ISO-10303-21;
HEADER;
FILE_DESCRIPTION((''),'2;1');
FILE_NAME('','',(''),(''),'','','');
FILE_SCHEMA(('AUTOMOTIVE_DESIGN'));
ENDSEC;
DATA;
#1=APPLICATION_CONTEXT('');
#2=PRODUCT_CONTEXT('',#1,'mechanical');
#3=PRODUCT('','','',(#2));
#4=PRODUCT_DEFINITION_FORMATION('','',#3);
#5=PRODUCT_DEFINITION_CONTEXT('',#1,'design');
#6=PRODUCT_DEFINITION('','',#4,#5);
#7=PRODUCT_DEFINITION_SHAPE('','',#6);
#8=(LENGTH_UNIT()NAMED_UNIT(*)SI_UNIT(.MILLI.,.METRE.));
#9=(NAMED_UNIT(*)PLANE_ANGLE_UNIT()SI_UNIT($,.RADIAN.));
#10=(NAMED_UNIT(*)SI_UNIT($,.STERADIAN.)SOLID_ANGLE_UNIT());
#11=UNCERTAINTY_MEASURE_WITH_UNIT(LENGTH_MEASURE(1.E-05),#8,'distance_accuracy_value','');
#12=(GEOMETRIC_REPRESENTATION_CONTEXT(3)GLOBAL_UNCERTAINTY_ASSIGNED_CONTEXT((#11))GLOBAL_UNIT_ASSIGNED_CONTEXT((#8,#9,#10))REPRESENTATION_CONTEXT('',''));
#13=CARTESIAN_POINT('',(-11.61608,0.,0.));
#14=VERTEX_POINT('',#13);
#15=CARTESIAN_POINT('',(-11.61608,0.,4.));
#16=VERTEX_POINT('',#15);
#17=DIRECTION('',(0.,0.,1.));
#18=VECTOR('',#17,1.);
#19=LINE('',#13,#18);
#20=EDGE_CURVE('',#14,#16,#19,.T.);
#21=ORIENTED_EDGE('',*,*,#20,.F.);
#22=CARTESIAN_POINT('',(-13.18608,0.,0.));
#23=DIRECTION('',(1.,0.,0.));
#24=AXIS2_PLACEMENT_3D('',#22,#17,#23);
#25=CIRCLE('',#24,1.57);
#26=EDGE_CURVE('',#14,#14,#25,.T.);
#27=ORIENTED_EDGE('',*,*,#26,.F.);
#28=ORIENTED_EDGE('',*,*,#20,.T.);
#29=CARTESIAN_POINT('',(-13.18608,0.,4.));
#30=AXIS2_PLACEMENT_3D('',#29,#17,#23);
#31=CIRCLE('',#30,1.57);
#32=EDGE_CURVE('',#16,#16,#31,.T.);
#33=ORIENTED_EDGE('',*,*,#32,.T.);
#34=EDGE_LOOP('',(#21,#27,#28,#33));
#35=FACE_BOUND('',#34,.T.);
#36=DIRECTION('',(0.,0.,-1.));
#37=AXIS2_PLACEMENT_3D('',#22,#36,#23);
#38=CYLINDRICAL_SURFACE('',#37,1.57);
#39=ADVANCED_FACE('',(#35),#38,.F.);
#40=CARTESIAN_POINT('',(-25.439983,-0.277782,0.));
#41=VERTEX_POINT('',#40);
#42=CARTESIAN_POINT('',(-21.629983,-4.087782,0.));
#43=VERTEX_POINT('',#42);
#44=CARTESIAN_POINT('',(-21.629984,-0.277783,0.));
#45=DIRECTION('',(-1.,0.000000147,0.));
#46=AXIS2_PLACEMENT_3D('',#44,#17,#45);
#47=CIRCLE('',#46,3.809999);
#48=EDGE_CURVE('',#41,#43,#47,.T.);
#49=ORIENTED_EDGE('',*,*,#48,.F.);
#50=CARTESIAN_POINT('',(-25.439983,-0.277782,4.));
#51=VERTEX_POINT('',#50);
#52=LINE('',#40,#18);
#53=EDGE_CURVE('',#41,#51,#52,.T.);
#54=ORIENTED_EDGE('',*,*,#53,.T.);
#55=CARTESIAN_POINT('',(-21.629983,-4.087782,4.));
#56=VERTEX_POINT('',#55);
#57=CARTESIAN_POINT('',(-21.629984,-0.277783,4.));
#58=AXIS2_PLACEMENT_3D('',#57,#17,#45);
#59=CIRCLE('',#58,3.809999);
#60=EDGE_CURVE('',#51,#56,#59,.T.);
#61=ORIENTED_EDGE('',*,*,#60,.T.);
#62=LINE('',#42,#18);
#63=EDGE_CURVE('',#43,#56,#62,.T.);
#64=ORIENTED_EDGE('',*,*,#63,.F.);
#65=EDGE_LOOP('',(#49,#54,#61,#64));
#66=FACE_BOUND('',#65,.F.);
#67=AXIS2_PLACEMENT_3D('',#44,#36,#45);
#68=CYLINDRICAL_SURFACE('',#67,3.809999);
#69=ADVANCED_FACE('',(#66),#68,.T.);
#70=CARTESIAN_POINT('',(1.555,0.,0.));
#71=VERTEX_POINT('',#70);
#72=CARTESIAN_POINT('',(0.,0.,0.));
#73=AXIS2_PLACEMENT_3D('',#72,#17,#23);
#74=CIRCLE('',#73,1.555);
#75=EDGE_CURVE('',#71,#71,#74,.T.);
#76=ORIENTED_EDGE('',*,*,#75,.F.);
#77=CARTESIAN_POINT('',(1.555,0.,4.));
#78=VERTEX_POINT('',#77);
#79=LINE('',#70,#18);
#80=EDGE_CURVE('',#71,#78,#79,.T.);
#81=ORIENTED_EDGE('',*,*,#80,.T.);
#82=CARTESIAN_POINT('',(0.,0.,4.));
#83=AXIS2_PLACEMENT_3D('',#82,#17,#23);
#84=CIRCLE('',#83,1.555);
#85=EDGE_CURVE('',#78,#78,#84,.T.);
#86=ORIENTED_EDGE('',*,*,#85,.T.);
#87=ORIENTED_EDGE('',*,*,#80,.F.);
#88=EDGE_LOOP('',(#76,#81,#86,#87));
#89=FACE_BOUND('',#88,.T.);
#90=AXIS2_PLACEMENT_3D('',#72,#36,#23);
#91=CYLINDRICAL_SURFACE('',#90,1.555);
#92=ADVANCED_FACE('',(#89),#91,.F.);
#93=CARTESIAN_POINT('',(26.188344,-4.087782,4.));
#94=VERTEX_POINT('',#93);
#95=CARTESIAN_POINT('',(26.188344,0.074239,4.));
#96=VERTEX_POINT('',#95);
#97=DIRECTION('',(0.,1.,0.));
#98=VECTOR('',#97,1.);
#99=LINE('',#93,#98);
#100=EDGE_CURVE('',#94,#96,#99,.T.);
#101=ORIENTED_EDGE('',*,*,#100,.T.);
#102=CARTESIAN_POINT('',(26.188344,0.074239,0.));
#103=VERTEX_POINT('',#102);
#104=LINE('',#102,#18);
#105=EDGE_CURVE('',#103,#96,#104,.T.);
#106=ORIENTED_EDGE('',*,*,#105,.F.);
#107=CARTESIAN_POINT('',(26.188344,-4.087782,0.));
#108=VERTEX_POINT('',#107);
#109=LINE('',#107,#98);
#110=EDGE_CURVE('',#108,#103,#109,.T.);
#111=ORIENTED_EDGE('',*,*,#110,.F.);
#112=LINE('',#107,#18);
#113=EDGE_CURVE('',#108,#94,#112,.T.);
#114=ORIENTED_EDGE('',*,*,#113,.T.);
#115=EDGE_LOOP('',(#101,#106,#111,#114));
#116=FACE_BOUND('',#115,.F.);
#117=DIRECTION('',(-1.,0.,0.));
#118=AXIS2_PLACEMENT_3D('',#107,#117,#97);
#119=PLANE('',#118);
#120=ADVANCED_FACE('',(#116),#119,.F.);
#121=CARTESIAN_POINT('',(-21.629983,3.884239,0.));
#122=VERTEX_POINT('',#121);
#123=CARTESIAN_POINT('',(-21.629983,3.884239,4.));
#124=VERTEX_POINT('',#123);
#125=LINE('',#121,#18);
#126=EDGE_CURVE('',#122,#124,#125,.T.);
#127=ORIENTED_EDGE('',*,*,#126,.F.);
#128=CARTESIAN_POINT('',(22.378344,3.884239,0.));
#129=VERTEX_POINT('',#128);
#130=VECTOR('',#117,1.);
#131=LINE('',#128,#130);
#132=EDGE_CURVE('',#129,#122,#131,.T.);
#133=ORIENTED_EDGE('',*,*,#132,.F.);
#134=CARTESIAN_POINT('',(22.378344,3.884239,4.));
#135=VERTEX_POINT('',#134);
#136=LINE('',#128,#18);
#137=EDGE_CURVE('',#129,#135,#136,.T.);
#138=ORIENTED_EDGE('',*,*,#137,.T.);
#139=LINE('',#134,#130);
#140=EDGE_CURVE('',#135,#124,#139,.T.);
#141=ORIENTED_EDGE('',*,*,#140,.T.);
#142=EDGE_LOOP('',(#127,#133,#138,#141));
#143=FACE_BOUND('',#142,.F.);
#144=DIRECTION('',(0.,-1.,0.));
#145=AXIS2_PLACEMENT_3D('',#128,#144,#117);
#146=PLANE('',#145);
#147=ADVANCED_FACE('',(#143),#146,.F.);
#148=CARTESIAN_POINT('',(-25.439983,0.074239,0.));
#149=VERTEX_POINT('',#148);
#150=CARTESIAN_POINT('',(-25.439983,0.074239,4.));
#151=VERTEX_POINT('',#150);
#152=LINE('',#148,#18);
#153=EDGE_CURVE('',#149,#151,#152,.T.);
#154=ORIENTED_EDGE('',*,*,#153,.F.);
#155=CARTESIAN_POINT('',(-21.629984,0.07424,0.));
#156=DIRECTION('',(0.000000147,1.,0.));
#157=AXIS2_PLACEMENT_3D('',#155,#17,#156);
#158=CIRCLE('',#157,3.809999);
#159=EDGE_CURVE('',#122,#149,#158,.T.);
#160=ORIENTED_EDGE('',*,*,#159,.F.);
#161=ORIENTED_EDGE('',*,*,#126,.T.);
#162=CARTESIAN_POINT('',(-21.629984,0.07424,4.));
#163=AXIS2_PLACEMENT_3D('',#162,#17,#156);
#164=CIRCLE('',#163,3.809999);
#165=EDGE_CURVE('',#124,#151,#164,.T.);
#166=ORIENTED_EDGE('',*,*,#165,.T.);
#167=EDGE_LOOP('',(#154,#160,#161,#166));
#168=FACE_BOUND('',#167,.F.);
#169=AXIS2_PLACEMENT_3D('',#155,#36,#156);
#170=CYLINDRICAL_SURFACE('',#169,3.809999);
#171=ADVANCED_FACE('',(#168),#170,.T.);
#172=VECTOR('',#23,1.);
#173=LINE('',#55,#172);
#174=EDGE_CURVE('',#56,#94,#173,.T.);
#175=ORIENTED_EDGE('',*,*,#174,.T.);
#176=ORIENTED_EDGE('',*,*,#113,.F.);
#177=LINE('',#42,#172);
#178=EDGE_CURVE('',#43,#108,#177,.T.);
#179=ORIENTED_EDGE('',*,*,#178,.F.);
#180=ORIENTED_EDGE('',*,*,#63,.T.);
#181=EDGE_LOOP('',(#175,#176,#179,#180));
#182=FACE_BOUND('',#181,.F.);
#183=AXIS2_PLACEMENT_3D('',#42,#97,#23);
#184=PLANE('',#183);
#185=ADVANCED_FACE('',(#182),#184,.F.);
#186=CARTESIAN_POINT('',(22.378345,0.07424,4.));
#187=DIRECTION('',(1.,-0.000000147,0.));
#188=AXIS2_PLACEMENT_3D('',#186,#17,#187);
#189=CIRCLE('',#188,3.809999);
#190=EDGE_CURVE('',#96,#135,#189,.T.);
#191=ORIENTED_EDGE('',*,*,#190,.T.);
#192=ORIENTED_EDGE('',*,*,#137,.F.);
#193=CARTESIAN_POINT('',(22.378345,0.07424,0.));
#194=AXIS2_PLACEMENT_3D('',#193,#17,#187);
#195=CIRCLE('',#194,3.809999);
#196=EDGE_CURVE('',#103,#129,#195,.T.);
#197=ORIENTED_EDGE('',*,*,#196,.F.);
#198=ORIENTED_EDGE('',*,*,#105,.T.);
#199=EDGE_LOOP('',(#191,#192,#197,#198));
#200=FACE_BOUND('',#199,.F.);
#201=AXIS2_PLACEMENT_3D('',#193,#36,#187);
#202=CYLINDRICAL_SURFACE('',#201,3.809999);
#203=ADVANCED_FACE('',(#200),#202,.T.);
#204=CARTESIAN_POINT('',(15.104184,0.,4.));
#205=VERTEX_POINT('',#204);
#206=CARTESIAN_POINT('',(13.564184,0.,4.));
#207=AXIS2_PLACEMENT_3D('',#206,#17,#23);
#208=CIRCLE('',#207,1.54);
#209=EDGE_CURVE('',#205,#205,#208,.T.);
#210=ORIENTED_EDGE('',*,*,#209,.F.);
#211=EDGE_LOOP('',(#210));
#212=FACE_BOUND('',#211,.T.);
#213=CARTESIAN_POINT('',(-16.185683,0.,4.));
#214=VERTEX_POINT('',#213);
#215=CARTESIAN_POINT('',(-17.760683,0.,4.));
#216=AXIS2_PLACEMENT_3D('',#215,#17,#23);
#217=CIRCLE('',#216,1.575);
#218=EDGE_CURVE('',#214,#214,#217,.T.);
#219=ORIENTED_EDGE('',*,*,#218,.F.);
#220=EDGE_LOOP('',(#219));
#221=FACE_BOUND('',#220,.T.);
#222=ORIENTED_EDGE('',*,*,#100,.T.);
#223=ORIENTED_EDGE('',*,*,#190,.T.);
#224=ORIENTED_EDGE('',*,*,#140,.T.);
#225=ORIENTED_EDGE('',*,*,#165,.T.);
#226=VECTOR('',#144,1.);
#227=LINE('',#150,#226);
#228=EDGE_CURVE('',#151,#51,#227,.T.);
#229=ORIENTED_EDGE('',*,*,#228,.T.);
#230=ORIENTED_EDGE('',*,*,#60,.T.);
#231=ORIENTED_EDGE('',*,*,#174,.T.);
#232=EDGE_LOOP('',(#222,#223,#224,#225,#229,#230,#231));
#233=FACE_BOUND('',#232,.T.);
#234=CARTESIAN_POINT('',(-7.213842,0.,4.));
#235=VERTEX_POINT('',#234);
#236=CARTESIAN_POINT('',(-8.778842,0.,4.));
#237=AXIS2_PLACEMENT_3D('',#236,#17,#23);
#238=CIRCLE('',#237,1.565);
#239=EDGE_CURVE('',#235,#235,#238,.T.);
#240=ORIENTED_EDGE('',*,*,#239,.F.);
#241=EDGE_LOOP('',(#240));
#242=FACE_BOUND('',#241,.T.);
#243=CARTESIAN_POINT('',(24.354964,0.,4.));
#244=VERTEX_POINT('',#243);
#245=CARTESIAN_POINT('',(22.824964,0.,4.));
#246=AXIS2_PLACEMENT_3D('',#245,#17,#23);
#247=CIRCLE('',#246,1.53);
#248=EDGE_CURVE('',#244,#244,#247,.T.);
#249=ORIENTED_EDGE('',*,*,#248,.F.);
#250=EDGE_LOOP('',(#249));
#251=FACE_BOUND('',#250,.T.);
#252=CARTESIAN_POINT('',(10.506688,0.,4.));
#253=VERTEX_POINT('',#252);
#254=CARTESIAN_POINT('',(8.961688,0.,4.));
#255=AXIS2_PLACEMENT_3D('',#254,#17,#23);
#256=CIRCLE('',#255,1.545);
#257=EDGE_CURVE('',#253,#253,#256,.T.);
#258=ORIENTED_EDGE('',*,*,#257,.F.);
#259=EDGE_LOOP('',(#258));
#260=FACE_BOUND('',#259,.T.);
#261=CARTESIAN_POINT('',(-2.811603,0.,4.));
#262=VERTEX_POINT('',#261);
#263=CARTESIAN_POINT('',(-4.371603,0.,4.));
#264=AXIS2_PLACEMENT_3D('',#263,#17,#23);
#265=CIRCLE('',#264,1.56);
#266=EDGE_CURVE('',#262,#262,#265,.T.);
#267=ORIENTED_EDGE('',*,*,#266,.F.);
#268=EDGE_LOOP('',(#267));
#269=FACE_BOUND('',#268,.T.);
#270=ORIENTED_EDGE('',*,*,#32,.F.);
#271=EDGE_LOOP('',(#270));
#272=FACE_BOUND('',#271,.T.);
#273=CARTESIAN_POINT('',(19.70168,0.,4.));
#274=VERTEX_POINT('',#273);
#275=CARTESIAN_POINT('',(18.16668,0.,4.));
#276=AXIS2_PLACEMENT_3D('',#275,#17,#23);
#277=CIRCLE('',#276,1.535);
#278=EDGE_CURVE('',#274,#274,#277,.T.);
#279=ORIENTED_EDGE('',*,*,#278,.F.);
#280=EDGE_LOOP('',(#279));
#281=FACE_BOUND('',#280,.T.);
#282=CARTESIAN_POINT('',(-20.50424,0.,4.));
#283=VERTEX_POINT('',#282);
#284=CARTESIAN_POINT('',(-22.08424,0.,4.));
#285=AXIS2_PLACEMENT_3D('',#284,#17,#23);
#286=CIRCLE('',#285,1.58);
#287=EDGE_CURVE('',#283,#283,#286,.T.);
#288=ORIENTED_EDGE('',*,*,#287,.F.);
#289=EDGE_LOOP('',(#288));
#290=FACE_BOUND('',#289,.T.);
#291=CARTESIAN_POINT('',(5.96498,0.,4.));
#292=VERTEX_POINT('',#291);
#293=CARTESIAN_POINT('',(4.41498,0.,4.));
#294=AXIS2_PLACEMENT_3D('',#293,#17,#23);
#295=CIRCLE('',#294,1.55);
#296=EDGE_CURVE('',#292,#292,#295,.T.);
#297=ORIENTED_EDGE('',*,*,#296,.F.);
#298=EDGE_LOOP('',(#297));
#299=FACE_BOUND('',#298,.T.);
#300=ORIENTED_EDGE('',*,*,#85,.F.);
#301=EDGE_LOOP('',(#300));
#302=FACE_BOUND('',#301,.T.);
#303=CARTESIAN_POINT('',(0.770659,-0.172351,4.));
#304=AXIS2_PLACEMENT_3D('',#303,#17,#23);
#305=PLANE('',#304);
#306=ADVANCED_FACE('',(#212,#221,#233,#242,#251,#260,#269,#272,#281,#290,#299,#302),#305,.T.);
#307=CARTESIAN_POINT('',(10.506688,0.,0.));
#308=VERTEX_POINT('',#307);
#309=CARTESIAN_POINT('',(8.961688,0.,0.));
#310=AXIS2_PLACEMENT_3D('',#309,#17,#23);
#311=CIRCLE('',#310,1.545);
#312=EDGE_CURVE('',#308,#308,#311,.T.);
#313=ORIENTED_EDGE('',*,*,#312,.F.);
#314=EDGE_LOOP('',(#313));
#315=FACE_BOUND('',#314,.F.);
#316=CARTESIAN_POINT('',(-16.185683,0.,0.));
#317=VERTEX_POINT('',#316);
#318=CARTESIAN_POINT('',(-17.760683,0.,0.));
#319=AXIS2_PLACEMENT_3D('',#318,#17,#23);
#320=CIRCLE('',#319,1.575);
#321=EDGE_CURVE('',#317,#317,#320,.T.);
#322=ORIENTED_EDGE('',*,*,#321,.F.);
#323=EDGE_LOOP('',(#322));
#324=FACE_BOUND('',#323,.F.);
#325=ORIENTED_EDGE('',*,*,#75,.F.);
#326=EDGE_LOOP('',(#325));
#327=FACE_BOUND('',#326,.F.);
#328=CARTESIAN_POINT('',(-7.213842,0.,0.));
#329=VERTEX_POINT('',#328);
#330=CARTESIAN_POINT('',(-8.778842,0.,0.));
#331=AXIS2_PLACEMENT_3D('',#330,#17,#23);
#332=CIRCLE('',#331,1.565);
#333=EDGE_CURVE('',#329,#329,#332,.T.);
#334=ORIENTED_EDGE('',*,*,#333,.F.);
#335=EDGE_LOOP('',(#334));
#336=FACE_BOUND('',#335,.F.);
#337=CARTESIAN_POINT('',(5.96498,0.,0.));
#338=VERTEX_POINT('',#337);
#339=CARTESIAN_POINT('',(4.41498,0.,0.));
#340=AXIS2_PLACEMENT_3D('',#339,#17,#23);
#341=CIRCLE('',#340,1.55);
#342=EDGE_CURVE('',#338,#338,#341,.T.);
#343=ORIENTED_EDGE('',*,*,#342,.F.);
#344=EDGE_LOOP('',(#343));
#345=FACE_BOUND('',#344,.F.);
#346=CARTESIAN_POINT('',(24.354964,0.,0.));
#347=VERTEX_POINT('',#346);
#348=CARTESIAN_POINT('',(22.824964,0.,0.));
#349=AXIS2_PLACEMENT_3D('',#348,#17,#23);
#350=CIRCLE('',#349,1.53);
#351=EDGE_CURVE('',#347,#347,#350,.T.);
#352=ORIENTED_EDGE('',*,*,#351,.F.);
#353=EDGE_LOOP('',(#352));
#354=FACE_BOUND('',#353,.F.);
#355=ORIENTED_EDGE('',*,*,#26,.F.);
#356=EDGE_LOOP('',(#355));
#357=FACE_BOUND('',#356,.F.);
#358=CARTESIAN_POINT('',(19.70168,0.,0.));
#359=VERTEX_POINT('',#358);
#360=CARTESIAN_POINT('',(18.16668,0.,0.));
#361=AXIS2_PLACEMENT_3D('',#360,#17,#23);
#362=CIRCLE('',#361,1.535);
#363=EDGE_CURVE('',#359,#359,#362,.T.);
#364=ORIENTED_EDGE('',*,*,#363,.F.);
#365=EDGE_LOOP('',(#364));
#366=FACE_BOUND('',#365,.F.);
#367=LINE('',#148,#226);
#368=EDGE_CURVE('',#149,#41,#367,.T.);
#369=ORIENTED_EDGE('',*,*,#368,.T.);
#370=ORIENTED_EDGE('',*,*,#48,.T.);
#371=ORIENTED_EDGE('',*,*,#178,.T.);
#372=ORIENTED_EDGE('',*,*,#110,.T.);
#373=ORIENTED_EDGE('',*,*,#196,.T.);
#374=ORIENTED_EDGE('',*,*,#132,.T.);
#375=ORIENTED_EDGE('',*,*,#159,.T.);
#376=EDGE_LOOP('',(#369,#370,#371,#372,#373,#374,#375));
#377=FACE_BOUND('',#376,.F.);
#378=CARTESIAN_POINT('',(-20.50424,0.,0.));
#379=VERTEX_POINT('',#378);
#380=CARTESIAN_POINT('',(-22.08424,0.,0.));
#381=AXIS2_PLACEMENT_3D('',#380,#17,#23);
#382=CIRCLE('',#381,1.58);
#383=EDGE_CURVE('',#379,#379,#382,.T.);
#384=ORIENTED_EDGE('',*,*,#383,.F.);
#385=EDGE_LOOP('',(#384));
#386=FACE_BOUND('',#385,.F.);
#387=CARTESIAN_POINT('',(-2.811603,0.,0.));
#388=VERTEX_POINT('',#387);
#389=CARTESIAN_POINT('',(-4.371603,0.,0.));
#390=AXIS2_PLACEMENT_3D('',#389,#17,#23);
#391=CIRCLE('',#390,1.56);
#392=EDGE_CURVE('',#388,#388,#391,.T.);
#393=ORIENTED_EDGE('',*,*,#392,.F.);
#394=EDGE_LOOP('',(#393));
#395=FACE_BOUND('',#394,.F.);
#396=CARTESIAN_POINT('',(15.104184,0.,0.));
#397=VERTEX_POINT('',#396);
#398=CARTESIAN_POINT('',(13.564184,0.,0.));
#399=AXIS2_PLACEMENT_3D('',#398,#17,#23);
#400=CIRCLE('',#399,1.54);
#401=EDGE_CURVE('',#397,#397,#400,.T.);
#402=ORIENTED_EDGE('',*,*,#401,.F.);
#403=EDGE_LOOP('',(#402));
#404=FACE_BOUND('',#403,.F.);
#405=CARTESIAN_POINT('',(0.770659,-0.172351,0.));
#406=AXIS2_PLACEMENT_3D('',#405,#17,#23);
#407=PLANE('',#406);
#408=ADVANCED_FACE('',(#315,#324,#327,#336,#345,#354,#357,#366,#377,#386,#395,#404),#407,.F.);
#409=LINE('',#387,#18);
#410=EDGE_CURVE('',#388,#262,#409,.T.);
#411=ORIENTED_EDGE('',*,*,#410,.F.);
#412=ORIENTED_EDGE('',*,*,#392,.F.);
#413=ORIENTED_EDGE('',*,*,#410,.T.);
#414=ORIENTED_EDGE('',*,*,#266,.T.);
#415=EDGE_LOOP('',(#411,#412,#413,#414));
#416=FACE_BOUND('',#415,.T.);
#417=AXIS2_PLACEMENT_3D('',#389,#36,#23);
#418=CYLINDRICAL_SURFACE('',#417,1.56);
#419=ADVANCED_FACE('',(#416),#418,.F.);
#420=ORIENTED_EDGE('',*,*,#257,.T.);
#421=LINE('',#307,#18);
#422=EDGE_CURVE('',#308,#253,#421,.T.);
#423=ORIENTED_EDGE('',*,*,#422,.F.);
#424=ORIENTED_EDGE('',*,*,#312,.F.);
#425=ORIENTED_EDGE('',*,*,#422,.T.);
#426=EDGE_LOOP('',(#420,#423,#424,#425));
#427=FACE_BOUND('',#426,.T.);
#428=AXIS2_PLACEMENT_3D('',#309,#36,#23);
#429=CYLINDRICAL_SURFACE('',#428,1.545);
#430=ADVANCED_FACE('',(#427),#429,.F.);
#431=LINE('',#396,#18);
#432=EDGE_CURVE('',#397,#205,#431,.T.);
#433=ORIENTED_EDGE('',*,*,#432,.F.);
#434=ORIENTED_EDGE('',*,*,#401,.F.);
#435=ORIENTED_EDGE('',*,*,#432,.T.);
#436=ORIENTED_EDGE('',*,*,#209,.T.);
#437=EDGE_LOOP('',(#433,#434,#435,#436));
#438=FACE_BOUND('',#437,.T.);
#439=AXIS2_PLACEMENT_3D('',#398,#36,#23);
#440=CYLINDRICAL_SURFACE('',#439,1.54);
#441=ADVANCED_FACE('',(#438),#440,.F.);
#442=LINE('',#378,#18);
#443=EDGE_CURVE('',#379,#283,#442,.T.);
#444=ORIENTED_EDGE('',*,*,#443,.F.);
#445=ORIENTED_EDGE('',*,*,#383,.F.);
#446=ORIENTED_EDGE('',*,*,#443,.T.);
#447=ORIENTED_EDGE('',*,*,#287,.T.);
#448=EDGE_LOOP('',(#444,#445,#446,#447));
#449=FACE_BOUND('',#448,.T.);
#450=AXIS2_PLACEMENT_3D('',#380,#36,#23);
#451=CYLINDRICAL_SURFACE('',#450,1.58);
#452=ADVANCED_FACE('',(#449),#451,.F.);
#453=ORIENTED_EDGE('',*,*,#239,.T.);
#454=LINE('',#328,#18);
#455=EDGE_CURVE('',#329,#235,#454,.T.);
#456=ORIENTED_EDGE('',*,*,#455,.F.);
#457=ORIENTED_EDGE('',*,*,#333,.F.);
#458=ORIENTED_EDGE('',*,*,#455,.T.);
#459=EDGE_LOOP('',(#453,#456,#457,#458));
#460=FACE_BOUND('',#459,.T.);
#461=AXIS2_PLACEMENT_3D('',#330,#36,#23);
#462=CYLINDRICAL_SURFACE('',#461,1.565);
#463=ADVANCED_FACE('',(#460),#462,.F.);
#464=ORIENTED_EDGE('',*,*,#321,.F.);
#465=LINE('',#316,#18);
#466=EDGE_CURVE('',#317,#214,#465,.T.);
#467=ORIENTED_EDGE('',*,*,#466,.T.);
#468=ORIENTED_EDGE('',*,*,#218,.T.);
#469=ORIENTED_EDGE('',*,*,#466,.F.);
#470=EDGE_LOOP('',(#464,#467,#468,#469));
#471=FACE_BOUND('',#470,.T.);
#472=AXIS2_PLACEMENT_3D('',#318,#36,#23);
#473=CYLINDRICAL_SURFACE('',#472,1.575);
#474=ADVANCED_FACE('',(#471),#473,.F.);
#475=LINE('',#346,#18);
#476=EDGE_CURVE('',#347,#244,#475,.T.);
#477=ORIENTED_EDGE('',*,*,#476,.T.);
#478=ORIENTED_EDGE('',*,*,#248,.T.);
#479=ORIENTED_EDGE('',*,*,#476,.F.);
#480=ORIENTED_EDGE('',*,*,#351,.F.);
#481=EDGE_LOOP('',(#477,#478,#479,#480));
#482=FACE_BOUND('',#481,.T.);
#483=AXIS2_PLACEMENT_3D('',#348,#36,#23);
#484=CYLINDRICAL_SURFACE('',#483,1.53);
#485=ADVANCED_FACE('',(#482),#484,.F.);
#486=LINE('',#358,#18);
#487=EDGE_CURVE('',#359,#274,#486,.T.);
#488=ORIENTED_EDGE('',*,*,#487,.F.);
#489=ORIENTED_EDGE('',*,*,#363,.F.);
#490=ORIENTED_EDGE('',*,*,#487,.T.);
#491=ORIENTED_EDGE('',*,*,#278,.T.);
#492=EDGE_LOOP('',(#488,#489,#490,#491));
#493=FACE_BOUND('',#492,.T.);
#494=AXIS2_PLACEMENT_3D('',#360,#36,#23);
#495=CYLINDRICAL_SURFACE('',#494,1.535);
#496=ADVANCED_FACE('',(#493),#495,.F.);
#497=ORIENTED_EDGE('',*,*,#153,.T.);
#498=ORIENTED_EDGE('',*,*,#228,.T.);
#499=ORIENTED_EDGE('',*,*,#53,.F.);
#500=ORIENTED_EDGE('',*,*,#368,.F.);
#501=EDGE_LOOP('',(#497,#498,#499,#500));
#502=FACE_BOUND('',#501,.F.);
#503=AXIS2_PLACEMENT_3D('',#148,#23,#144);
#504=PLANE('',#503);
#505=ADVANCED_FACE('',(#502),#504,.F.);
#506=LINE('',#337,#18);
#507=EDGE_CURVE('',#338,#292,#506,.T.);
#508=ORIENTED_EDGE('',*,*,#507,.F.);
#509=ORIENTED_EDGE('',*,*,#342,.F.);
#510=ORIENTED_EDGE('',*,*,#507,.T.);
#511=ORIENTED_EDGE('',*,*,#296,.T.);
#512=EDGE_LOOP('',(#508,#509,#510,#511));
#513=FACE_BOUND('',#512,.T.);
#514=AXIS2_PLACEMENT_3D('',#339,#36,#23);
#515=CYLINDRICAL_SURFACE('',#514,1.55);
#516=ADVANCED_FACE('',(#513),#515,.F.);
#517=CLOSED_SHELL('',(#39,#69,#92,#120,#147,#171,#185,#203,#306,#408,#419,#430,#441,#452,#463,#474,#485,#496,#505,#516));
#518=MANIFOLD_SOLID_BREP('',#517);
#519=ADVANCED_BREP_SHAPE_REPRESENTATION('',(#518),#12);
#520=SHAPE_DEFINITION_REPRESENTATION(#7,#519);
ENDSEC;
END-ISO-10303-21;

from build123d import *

# Parameters (mm, degrees)
F0_R     = 1.58
F0_R_2   = 1.575
F0_R_3   = 1.57
F0_R_4   = 1.565
F0_R_5   = 1.56
F0_R_6   = 1.555
F0_R_7   = 1.55
F0_R_8   = 1.545
F0_R_9   = 1.54
F0_R_10  = 1.535
F0_R_11  = 1.53
F1_DEPTH = 4


with BuildPart() as f1:
    # F0 (on Top) → F1 (new body)
    with BuildSketch(Plane.XY):
        with BuildLine():
            Line((22.378344, 3.884239), (-21.629983, 3.884239))
            ThreePointArc((-21.629983, 3.884239), (-24.32406, 2.768316), (-25.439983, 0.074239))
            Line((-25.439983, 0.074239), (-25.439983, -0.277782))
            ThreePointArc((-25.439983, -0.277782), (-24.32406, -2.971859), (-21.629983, -4.087782))
            Line((-21.629983, -4.087782), (26.188344, -4.087782))
            Line((26.188344, -4.087782), (26.188344, 0.074239))
            ThreePointArc((26.188344, 0.074239), (25.072421, 2.768316), (22.378344, 3.884239))
        make_face()
        with Locations((-22.08424, 0)):
            Circle(F0_R, mode=Mode.SUBTRACT)
        with Locations((-17.760683, 0)):
            Circle(F0_R_2, mode=Mode.SUBTRACT)
        with Locations((-13.18608, 0)):
            Circle(F0_R_3, mode=Mode.SUBTRACT)
        with Locations((-8.778842, 0)):
            Circle(F0_R_4, mode=Mode.SUBTRACT)
        with Locations((-4.371603, 0)):
            Circle(F0_R_5, mode=Mode.SUBTRACT)
        Circle(F0_R_6, mode=Mode.SUBTRACT)
        with Locations((4.41498, 0)):
            Circle(F0_R_7, mode=Mode.SUBTRACT)
        with Locations((8.961688, 0)):
            Circle(F0_R_8, mode=Mode.SUBTRACT)
        with Locations((13.564184, 0)):
            Circle(F0_R_9, mode=Mode.SUBTRACT)
        with Locations((18.16668, 0)):
            Circle(F0_R_10, mode=Mode.SUBTRACT)
        with Locations((22.824964, 0)):
            Circle(F0_R_11, mode=Mode.SUBTRACT)
    extrude(amount=F1_DEPTH)


solid = f1.part
